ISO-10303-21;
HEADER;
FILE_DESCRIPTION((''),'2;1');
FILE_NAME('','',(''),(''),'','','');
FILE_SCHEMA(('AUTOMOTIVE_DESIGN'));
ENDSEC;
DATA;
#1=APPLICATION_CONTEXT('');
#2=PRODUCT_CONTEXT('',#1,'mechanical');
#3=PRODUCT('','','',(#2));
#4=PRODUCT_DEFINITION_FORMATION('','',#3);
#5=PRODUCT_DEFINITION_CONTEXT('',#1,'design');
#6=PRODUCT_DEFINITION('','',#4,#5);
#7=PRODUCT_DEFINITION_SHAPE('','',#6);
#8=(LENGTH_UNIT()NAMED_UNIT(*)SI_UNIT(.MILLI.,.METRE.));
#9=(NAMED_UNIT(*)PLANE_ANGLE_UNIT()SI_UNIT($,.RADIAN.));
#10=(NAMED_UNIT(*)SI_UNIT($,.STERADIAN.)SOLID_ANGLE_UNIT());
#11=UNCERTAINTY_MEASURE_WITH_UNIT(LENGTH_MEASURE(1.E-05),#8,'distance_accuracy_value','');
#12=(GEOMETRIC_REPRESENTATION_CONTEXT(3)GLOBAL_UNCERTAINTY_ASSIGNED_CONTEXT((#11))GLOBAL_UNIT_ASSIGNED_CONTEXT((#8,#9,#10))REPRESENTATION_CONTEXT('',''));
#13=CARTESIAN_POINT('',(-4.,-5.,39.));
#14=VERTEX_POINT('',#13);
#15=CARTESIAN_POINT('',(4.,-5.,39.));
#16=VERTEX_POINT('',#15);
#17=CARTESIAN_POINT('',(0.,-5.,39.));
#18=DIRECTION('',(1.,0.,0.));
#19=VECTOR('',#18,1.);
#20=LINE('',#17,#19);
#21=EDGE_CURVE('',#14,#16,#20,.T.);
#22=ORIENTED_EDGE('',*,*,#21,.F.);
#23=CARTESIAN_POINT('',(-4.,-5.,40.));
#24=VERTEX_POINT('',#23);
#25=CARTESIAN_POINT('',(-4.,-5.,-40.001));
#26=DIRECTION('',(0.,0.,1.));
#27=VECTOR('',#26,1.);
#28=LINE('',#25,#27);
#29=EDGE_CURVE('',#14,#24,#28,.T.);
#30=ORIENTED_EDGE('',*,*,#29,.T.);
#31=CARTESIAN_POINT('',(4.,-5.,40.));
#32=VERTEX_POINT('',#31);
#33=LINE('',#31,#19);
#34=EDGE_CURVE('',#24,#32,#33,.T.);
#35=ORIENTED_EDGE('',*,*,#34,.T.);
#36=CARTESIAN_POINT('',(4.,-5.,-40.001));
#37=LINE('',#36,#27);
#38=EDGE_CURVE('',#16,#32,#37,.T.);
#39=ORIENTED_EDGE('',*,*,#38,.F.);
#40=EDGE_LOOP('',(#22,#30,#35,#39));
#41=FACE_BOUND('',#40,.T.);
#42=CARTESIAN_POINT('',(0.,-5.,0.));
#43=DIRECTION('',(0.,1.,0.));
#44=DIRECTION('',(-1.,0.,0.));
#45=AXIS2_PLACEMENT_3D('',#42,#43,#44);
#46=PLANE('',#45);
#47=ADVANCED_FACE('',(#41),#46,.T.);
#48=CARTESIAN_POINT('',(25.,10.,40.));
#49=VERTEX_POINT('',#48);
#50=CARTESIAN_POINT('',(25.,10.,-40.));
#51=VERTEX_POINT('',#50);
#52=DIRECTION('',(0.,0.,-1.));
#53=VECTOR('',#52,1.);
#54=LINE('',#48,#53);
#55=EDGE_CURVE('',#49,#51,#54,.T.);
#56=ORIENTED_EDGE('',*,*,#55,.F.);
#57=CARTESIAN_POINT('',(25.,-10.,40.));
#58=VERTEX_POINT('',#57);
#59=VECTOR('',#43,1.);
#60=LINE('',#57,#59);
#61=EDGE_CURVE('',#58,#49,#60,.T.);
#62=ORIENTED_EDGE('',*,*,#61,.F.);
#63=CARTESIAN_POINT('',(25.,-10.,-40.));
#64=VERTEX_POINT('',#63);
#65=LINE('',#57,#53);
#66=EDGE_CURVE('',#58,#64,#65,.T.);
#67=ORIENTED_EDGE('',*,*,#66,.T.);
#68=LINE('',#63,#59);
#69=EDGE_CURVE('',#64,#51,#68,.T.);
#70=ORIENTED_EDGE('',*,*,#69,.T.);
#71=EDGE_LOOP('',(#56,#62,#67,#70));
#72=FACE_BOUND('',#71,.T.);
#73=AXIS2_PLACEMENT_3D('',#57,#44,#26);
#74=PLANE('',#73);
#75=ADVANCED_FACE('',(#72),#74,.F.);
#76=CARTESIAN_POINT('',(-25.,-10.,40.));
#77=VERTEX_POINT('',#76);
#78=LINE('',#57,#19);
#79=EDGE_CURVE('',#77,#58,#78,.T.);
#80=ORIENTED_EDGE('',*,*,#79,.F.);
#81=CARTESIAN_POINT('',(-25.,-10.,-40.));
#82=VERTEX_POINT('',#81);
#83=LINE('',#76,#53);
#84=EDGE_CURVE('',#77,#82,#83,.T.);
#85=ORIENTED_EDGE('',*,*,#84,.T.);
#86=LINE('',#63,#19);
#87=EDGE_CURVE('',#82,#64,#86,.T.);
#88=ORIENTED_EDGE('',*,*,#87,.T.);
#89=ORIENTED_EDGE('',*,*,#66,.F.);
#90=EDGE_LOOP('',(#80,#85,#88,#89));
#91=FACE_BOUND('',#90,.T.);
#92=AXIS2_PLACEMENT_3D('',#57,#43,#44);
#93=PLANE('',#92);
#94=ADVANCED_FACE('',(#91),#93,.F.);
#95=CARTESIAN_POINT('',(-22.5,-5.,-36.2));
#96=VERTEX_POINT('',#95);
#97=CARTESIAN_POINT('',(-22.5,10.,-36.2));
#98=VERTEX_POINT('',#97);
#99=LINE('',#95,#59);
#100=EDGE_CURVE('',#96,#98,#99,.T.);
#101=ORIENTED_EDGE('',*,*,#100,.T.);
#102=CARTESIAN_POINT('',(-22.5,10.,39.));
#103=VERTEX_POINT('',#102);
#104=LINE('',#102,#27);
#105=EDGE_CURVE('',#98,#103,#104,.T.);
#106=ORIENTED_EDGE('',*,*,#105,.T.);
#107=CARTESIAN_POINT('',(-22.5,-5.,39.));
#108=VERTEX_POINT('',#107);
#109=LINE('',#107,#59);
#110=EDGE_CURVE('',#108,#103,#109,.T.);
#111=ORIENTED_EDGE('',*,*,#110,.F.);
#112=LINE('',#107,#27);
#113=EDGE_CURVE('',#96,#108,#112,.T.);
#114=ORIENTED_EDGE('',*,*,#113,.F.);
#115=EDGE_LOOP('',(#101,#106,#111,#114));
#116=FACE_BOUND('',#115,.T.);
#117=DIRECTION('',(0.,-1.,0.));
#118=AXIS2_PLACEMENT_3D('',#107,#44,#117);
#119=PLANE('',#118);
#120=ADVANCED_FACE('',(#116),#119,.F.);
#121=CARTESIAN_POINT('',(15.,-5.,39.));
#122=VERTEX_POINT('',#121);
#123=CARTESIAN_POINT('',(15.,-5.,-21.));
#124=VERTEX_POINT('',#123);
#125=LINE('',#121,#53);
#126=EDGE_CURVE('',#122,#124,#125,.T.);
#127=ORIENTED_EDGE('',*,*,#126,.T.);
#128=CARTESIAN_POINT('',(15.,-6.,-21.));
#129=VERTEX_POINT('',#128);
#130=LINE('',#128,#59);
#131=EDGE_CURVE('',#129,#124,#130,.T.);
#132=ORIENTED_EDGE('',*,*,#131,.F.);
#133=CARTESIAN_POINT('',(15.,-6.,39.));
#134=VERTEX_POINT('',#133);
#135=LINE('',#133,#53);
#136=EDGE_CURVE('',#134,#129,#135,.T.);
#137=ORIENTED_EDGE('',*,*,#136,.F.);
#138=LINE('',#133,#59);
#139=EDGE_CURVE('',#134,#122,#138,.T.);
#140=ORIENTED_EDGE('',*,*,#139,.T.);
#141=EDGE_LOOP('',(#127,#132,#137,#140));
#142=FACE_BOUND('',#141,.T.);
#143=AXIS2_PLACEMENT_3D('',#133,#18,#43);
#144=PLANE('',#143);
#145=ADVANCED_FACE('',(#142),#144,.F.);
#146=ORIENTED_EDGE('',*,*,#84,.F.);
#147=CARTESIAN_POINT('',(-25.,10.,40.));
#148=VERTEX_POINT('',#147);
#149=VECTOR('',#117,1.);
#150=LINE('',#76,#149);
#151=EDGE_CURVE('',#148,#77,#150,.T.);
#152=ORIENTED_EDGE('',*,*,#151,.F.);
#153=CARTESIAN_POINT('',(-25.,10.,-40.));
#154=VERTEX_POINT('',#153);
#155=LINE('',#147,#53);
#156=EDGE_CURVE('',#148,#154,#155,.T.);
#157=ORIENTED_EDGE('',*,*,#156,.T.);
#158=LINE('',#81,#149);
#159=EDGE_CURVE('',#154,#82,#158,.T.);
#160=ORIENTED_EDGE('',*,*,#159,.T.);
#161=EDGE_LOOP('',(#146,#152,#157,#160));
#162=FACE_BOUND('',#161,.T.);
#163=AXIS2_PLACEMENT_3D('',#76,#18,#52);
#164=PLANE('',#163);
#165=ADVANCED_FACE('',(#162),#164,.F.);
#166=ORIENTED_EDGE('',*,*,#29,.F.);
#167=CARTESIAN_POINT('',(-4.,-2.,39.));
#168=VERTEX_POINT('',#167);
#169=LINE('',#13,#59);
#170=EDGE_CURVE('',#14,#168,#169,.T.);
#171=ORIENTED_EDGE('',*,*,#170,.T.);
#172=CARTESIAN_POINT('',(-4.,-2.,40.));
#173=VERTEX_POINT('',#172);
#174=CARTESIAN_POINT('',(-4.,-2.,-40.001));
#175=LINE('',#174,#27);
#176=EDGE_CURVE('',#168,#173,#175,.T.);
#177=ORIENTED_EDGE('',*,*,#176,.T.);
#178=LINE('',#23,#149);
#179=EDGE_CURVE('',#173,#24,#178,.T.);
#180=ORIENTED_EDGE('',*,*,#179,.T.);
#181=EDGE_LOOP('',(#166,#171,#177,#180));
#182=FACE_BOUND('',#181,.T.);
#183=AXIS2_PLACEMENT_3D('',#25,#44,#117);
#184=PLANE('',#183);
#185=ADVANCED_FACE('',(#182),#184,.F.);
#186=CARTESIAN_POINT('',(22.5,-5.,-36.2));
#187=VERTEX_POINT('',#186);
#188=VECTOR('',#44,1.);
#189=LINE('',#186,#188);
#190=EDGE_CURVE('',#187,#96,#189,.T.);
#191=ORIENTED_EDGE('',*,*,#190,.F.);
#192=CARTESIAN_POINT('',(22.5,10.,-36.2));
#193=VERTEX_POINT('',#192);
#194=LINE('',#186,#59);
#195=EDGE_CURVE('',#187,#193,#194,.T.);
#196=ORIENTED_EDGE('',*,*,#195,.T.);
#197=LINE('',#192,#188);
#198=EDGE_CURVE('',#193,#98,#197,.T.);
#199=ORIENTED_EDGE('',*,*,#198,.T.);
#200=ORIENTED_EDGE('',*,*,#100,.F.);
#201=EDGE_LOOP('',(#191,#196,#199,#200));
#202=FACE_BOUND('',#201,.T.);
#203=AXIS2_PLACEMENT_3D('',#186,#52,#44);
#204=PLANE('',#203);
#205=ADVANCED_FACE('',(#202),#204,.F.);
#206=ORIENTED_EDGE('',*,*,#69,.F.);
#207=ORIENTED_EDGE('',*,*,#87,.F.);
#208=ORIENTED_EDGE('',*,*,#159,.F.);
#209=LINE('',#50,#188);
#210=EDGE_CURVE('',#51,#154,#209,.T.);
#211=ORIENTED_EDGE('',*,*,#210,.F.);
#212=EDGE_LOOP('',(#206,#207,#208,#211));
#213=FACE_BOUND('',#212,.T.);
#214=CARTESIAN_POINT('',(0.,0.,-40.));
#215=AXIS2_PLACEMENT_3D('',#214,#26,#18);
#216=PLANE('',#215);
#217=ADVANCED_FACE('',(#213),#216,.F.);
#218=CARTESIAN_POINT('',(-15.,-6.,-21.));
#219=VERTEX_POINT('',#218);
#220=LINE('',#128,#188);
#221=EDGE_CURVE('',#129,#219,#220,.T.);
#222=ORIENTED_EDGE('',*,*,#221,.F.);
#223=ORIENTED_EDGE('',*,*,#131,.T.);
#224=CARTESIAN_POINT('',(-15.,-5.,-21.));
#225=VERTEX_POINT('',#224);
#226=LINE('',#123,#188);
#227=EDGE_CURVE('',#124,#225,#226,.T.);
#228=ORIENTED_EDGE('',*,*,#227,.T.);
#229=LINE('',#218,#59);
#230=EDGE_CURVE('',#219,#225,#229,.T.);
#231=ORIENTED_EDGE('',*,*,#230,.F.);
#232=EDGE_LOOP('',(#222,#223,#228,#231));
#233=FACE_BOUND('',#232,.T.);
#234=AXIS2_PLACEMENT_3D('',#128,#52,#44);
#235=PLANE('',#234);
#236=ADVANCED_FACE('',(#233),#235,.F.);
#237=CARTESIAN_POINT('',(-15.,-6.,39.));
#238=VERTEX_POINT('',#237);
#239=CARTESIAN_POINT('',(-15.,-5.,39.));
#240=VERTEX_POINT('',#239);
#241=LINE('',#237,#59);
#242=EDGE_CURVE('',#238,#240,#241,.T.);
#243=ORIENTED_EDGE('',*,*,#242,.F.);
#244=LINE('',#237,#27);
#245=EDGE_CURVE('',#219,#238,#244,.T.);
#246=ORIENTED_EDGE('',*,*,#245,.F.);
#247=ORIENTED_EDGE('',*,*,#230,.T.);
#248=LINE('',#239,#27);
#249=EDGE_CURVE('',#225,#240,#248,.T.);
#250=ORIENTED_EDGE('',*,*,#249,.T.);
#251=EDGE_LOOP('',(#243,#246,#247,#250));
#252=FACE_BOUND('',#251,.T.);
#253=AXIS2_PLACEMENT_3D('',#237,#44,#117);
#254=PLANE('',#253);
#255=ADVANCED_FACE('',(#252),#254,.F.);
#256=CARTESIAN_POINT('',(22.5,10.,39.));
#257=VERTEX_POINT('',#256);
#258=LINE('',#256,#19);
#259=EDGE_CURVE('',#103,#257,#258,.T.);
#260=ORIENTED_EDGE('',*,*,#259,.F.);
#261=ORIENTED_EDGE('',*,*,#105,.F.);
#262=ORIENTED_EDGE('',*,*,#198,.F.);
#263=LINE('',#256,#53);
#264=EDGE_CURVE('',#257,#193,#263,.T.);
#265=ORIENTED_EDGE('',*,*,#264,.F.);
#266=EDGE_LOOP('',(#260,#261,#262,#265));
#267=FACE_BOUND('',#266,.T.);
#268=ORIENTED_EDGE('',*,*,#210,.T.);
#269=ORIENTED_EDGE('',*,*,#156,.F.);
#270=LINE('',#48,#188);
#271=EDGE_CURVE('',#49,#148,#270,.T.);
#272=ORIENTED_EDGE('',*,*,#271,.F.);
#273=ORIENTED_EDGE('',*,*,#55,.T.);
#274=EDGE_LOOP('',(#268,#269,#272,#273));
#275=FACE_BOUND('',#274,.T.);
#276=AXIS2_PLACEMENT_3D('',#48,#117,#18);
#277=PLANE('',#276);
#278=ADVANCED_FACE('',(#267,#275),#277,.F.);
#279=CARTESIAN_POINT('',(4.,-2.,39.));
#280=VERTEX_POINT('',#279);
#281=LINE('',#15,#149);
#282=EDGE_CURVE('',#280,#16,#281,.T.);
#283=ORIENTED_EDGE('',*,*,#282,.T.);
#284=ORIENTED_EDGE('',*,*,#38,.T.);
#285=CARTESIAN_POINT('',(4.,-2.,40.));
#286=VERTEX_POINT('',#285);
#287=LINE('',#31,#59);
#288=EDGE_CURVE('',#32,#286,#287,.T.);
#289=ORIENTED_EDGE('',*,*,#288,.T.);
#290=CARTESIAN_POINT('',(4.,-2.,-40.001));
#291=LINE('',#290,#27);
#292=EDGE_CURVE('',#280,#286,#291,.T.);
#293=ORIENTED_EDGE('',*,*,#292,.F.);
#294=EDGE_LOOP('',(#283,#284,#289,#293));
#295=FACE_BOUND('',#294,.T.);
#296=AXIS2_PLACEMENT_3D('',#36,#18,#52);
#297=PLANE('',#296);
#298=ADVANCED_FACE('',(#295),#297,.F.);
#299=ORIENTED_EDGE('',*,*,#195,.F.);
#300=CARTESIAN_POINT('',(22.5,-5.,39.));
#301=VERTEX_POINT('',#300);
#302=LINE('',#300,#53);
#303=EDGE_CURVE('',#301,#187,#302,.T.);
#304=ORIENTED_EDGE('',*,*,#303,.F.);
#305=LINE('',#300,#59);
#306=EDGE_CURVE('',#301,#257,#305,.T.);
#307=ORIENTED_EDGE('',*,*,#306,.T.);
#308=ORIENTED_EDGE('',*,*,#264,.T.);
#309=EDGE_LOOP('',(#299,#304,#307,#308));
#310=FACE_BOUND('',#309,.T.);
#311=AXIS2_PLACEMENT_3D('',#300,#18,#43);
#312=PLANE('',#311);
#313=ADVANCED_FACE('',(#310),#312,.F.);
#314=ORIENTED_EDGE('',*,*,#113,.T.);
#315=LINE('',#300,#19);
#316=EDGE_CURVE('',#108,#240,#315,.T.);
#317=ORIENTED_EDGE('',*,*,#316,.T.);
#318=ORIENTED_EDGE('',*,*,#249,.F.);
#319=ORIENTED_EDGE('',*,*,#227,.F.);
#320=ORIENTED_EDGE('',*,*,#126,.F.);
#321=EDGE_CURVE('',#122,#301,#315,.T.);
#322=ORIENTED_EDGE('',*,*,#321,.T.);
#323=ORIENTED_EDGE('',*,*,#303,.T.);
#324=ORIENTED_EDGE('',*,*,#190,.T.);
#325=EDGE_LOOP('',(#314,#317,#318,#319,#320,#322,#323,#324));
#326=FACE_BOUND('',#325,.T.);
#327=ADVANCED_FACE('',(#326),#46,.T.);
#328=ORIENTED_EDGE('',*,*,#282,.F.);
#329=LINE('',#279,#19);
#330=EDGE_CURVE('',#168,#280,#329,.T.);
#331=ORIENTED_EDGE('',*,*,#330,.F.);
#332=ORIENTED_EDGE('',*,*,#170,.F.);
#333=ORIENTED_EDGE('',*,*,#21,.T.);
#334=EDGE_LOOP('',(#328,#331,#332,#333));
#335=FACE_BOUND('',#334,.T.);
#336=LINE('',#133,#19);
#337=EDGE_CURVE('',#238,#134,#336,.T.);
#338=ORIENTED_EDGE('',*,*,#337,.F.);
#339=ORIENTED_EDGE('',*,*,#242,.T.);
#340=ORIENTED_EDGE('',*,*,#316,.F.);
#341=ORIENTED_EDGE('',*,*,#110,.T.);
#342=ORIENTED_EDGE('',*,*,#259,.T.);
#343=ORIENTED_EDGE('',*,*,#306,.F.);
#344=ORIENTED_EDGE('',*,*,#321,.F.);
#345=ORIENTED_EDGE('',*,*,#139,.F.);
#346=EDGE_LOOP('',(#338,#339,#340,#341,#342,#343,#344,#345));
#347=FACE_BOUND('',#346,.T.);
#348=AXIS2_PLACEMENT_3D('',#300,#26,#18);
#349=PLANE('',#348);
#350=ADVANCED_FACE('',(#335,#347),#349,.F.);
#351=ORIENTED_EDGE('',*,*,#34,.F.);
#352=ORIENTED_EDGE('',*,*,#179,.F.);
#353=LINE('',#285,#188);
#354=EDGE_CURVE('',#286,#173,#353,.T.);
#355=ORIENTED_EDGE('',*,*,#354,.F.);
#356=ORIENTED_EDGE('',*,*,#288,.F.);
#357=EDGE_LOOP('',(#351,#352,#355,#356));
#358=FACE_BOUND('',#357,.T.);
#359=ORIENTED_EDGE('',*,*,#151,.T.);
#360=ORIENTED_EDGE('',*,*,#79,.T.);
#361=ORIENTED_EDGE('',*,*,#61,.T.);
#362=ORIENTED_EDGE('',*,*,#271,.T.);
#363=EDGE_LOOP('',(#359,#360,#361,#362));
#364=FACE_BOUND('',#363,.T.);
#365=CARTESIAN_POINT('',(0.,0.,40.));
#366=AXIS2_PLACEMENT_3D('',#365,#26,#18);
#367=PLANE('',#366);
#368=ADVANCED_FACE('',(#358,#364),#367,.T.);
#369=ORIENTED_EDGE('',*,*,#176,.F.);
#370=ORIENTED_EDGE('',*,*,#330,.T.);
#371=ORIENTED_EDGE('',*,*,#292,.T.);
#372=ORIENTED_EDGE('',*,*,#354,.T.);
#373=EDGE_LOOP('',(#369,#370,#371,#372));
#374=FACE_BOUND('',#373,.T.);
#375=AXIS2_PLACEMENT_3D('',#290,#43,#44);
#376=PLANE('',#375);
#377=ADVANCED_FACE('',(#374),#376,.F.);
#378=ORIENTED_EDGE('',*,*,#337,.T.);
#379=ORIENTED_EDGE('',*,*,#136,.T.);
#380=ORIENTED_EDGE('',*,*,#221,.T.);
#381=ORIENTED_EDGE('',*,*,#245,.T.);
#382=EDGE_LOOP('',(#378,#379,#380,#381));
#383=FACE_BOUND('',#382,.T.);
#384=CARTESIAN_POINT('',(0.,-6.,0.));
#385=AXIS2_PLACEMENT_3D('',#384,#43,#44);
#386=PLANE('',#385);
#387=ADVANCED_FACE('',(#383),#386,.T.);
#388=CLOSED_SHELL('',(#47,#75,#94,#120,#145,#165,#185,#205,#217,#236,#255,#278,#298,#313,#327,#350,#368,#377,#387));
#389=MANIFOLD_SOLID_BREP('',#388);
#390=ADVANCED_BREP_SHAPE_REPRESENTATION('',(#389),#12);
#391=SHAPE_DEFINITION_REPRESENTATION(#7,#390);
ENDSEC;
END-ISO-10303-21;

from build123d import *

# Parameters (mm, degrees)
SKETCH1_W           = 50
SKETCH1_H           = 20
BOSS_EXTRUDE1_DEPTH = 40
SKETCH2_W           = 45
SKETCH2_H           = 75.2
CUT_EXTRUDE1_DEPTH  = 15
CUT_EXTRUDE2_REACH  = 86.41
SKETCH3_W           = 8
SKETCH3_H           = 3
SKETCH4_W           = 30
SKETCH4_H           = 60
CUT_EXTRUDE3_DEPTH  = 1


with BuildPart() as part:
    # Sketch1 → Boss-Extrude1 (new, symmetric)
    with BuildSketch(Plane.XY):
        Rectangle(SKETCH1_W, SKETCH1_H)
    extrude(amount=BOSS_EXTRUDE1_DEPTH, both=True)

    # Sketch2 → Cut-Extrude1 (cut)
    with BuildSketch(Plane(origin=(0, 10, 0), x_dir=(1, 0, 0), z_dir=(0, 1, 0))):
        with Locations((0, -1.4)):
            Rectangle(SKETCH2_W, SKETCH2_H)
    extrude(amount=-CUT_EXTRUDE1_DEPTH, mode=Mode.SUBTRACT)

    # Sketch3 → Cut-Extrude2 (cut, up to next)
    with BuildSketch(Plane.XY.offset(40), mode=Mode.PRIVATE) as cut_extrude2_sk1:
        with Locations((0, -3.5)):
            Rectangle(SKETCH3_W, SKETCH3_H)
    cut_extrude2_tool1 = extrude(cut_extrude2_sk1.sketch, amount=-CUT_EXTRUDE2_REACH, mode=Mode.PRIVATE) & part.part
    add(cut_extrude2_tool1.solids().sort_by_distance((0, -3.5, 40))[0], mode=Mode.SUBTRACT)

    # Sketch4 → Cut-Extrude3 (cut)
    with BuildSketch(Plane(origin=(0, -5, 0), x_dir=(1, 0, 0), z_dir=(0, 1, 0))):
        with Locations((0, -9)):
            Rectangle(SKETCH4_W, SKETCH4_H)
    extrude(amount=-CUT_EXTRUDE3_DEPTH, mode=Mode.SUBTRACT)


solid = part.part
